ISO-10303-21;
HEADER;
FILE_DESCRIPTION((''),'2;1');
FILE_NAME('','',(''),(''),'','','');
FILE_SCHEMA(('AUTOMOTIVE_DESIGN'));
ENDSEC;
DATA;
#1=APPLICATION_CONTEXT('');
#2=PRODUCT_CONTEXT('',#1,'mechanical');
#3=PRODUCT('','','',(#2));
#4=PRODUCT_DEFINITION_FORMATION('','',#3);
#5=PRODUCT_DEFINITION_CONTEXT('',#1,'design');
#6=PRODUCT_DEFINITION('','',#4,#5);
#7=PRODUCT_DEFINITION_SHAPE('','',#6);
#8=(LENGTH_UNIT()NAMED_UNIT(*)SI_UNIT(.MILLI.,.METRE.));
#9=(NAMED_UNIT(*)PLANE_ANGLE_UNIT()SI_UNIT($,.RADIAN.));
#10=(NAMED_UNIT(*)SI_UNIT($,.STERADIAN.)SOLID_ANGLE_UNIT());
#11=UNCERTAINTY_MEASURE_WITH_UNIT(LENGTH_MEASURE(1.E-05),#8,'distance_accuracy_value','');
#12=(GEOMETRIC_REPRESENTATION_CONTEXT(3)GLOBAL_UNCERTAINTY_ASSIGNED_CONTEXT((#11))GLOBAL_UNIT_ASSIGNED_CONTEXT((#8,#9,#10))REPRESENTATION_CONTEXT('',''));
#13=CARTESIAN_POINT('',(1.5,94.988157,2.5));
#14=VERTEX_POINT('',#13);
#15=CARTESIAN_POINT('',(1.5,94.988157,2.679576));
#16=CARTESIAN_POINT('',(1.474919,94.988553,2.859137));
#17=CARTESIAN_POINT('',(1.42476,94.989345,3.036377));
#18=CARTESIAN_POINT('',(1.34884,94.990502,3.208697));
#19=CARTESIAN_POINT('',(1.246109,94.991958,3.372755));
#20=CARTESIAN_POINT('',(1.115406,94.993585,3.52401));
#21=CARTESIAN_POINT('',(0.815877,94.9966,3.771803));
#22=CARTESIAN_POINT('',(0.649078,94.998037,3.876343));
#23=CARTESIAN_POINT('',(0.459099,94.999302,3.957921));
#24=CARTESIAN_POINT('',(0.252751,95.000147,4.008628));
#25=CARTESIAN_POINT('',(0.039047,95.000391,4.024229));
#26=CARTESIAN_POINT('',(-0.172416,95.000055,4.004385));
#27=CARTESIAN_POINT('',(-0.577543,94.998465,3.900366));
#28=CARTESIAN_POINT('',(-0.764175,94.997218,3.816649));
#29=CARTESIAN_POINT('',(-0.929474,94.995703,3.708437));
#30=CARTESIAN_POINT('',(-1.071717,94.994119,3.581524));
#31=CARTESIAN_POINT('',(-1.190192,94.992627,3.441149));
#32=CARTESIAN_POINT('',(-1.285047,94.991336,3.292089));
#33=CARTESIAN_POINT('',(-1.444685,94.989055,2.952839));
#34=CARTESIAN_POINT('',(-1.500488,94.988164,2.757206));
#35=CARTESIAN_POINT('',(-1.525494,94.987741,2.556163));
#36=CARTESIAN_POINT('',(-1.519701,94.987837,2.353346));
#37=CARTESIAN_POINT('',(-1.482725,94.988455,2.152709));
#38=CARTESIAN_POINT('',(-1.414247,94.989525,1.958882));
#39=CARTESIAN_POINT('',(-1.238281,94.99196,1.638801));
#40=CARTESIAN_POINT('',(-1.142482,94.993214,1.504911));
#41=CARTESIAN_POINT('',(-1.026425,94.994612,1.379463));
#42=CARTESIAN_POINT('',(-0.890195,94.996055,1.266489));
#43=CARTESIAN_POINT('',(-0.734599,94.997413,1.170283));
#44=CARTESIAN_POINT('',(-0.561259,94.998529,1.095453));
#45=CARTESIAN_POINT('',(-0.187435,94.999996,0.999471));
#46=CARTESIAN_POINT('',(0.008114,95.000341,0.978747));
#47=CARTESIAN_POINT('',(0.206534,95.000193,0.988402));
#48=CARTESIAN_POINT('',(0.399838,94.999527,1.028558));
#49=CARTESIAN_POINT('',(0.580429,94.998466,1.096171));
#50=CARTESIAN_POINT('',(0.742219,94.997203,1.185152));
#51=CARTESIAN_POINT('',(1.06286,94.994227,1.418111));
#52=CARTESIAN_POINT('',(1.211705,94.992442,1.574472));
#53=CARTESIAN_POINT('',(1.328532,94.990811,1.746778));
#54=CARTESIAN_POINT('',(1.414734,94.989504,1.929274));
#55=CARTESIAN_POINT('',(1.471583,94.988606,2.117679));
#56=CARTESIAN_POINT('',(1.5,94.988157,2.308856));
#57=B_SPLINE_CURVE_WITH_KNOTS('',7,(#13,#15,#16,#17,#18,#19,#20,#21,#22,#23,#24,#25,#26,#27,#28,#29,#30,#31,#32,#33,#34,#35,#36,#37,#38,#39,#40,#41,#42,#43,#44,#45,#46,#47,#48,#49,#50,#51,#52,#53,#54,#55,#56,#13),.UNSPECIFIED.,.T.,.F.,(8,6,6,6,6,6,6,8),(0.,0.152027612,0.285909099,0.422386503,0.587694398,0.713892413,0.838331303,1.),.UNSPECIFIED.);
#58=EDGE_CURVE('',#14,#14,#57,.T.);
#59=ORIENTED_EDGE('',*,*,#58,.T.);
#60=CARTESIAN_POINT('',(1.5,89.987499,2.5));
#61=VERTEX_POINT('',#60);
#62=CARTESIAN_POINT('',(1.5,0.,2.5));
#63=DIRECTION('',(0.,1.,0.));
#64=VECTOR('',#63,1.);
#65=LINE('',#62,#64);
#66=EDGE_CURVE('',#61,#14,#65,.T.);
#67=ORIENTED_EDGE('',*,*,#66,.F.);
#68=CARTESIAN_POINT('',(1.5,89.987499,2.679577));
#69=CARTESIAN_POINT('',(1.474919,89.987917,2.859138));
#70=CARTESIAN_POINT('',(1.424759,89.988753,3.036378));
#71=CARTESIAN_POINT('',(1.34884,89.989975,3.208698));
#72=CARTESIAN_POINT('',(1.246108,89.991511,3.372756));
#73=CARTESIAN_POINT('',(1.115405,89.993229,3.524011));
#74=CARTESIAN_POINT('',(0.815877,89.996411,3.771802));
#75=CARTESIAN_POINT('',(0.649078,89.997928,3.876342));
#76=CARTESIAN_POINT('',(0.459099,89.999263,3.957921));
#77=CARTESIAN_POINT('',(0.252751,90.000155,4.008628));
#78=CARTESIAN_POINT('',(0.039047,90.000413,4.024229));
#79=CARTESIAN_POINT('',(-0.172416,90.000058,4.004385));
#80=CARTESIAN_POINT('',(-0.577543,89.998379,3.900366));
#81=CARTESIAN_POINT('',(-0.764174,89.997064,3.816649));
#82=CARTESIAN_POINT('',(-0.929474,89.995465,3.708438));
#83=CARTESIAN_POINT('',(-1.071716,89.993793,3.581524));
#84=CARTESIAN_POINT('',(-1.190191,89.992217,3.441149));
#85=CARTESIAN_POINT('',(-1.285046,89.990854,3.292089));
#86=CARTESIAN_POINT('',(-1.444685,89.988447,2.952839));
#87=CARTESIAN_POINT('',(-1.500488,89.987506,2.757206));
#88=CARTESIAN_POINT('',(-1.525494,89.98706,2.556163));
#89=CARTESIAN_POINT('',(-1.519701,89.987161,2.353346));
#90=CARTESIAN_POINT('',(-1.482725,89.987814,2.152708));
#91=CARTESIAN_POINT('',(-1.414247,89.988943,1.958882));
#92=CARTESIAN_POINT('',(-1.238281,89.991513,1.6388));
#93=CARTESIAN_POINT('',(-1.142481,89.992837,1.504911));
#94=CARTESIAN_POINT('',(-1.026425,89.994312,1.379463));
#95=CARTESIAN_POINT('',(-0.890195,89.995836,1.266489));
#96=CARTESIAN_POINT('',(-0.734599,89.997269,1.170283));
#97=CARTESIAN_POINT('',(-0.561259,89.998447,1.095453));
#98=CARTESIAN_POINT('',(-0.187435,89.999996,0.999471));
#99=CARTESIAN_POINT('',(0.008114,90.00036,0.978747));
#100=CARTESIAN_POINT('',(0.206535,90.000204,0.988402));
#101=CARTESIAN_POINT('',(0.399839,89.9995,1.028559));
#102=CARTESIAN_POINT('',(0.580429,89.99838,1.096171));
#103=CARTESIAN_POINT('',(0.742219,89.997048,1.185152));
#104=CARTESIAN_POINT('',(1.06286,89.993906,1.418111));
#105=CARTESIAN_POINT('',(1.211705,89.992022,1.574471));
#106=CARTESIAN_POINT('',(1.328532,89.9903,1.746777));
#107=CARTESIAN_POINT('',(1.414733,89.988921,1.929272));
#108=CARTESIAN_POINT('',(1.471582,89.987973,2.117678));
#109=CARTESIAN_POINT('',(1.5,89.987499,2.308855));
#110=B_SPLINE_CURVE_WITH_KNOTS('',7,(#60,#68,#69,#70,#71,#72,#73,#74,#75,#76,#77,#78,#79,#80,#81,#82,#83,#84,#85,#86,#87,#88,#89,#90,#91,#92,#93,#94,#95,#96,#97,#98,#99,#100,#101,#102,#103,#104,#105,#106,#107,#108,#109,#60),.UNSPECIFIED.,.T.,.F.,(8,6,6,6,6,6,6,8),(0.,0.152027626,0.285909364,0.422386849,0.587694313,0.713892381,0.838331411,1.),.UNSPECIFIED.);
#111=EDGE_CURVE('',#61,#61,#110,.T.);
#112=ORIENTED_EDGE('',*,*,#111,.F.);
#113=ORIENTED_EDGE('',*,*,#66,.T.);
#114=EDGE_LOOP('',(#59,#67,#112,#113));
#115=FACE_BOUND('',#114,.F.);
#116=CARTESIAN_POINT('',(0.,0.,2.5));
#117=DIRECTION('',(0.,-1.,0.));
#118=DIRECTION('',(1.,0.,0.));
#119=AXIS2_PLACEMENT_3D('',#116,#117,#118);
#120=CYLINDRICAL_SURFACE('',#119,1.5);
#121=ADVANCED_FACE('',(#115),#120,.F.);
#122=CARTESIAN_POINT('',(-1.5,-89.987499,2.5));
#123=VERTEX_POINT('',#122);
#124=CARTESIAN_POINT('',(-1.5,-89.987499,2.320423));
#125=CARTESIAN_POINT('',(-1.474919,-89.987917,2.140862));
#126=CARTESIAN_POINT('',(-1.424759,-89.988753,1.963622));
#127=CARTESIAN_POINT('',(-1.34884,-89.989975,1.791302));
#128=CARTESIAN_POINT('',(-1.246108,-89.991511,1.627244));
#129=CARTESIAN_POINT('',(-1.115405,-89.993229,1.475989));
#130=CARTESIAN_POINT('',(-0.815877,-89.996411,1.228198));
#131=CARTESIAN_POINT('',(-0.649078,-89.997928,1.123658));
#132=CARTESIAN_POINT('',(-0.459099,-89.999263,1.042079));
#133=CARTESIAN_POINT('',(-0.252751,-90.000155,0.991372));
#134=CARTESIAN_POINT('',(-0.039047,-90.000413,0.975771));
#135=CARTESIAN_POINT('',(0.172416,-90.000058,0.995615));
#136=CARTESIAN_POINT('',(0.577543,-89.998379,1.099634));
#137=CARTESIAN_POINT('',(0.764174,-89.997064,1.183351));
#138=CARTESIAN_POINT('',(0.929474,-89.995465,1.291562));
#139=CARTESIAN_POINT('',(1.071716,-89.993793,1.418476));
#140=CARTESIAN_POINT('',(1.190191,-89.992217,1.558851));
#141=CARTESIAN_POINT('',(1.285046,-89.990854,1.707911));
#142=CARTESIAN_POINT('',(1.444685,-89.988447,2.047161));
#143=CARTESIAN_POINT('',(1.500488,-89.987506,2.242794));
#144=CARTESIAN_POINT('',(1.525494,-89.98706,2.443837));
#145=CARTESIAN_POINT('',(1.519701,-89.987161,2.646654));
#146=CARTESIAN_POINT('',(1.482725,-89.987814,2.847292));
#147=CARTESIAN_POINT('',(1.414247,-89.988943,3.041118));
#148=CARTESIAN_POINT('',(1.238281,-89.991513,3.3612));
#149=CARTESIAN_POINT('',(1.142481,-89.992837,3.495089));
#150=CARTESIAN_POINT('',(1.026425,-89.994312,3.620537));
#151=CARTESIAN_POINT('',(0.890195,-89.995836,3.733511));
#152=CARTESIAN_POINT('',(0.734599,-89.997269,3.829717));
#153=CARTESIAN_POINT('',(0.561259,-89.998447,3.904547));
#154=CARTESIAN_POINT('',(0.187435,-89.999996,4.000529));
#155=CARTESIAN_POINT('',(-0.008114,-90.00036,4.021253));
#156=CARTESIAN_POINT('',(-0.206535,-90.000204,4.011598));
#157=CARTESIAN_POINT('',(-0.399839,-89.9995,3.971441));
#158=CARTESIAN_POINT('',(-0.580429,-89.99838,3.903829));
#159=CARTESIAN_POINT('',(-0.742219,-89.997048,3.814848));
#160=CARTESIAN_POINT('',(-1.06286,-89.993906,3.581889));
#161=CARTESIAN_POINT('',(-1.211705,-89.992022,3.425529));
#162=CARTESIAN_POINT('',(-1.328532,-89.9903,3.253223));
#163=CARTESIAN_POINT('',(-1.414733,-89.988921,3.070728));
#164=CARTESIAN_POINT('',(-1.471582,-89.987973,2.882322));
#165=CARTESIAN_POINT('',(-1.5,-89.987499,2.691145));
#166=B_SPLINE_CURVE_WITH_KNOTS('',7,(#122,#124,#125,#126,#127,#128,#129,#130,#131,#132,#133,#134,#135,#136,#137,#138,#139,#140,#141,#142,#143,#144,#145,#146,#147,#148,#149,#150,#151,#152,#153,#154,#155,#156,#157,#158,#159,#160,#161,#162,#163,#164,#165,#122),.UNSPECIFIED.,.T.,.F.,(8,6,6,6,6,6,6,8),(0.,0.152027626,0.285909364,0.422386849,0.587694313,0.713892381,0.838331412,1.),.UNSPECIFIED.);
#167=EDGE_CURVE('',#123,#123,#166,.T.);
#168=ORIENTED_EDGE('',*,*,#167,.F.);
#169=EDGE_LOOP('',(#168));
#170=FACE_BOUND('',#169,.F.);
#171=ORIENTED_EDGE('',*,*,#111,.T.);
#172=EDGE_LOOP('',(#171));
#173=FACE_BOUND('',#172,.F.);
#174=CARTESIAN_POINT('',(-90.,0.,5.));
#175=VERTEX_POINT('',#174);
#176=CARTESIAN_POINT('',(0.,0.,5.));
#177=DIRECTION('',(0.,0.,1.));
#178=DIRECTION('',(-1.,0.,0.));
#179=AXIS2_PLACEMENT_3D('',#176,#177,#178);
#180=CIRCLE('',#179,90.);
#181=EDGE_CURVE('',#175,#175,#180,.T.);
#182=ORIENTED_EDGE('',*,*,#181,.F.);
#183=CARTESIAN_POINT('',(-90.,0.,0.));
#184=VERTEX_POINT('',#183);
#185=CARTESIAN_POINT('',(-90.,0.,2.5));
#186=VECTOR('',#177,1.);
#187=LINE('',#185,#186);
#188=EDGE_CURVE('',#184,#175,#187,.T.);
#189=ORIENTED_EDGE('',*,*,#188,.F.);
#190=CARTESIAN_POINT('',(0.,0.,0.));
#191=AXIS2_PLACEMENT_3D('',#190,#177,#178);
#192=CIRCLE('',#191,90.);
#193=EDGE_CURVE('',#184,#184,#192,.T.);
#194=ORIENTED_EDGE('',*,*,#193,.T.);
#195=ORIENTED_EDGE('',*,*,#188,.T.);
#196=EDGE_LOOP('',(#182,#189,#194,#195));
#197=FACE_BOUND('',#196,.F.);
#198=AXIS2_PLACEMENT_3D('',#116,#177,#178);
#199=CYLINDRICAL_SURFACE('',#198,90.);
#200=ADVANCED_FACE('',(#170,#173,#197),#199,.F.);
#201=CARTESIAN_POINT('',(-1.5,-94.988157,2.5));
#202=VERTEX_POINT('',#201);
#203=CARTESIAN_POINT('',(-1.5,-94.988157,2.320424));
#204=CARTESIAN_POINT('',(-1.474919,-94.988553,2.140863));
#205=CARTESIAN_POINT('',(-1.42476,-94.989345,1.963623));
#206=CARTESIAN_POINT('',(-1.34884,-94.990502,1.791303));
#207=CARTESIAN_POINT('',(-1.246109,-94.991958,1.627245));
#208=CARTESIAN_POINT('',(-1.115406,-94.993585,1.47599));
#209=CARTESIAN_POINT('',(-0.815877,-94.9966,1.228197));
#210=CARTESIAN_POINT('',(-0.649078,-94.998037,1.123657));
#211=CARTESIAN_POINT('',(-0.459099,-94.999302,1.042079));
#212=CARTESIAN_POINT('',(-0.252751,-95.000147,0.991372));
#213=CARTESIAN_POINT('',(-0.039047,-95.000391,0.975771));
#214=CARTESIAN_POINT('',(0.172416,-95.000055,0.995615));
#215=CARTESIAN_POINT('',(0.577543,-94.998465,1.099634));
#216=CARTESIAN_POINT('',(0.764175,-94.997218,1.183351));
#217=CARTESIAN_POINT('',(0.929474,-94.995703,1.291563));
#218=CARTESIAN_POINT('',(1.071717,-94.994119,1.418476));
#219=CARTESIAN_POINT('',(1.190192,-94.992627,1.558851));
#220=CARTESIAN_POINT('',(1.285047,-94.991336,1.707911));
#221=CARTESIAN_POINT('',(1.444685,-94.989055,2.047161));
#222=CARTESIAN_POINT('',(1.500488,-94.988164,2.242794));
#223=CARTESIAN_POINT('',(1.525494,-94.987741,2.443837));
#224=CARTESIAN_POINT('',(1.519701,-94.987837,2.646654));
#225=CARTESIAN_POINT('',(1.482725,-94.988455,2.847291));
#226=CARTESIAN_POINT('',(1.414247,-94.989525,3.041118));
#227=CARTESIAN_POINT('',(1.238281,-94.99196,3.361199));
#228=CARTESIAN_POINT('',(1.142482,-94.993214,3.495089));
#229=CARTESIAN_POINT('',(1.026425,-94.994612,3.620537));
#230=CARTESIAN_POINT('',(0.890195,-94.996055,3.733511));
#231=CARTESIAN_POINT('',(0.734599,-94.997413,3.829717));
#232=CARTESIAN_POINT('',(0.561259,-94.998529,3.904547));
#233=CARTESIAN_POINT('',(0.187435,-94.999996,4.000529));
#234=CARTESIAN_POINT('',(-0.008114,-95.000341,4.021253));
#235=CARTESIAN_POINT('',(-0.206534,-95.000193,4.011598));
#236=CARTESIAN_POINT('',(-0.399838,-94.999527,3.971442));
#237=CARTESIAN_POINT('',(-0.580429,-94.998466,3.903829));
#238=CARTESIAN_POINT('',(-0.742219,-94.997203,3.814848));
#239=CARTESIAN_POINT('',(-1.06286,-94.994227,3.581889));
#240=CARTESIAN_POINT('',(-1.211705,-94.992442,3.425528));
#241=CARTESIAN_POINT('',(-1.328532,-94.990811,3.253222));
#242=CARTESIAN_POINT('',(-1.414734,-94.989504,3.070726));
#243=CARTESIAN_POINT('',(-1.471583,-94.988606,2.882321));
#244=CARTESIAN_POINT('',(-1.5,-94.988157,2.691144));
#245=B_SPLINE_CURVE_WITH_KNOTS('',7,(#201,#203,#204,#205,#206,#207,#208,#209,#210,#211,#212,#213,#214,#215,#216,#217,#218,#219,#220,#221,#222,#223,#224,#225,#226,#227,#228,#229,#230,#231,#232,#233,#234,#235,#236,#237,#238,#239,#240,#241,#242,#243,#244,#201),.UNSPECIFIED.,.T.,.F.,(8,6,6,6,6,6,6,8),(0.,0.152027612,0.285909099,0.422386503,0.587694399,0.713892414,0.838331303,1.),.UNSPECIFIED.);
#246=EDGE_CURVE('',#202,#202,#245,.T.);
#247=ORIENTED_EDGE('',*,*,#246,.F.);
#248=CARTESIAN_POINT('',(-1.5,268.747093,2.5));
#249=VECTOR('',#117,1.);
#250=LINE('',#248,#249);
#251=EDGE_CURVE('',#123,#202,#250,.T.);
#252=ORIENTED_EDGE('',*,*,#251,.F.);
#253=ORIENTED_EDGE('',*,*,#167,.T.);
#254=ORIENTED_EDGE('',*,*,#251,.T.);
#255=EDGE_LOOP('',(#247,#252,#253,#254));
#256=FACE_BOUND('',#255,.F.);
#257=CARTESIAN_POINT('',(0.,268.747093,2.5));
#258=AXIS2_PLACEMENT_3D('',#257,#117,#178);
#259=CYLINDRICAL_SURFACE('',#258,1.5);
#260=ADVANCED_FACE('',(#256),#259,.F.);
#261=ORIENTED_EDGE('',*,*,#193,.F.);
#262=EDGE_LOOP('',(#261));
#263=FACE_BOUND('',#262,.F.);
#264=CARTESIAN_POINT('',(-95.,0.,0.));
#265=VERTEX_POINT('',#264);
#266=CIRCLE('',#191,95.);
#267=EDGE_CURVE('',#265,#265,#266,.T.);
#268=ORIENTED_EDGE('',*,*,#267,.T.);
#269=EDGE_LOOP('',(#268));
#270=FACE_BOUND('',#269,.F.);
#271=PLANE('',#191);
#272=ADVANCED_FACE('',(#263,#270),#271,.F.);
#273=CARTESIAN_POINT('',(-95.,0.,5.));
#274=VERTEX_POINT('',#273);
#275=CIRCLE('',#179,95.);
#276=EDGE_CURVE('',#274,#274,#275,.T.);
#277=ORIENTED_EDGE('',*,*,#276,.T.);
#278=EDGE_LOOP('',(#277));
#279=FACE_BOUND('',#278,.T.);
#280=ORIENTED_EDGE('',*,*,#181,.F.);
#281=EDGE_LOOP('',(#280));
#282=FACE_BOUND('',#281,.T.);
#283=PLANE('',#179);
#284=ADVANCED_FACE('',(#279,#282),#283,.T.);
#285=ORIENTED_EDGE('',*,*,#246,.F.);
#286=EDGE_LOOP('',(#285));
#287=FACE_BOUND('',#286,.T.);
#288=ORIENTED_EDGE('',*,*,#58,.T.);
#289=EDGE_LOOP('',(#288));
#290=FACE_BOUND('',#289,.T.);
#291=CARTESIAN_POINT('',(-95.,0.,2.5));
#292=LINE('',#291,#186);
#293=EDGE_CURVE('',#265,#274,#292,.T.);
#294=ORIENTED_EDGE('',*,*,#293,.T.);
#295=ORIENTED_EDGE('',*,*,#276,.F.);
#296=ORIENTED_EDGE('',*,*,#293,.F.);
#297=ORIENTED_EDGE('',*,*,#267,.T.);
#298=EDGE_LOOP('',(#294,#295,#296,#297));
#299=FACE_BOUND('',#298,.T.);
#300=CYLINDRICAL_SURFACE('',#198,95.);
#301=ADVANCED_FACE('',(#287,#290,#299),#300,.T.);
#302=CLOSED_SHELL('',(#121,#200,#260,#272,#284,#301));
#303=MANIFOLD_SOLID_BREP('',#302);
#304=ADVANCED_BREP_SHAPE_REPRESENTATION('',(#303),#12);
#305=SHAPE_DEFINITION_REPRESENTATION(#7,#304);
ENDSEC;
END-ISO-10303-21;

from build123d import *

# Parameters (mm, degrees)
F0_W     = 5
F0_H     = 5
F2_D     = 3
F2_DEPTH = 95.001
F3_D     = 3


with BuildPart() as f1:
    # F0 (on Front) → F1 (revolve)
    with BuildSketch(Plane.XZ):
        with Locations((-92.5, 2.5)):
            Rectangle(F0_W, F0_H)
    revolve(axis=Axis((0, 0, 1.25), (0, 0, 1)))

    # F2 (through all, one way)
    with BuildSketch(Plane.XZ):
        with Locations((0, 2.5)):
            Circle(F2_D / 2)
    extrude(amount=-F2_DEPTH, mode=Mode.SUBTRACT)

    # F3 (through all)
    with Locations(Plane(origin=(0, 0, 0), x_dir=(1, 0, 0), z_dir=(0, 1, 0))):
        with Locations((0, -2.5)):
            Hole(F3_D / 2)


solid = f1.part
